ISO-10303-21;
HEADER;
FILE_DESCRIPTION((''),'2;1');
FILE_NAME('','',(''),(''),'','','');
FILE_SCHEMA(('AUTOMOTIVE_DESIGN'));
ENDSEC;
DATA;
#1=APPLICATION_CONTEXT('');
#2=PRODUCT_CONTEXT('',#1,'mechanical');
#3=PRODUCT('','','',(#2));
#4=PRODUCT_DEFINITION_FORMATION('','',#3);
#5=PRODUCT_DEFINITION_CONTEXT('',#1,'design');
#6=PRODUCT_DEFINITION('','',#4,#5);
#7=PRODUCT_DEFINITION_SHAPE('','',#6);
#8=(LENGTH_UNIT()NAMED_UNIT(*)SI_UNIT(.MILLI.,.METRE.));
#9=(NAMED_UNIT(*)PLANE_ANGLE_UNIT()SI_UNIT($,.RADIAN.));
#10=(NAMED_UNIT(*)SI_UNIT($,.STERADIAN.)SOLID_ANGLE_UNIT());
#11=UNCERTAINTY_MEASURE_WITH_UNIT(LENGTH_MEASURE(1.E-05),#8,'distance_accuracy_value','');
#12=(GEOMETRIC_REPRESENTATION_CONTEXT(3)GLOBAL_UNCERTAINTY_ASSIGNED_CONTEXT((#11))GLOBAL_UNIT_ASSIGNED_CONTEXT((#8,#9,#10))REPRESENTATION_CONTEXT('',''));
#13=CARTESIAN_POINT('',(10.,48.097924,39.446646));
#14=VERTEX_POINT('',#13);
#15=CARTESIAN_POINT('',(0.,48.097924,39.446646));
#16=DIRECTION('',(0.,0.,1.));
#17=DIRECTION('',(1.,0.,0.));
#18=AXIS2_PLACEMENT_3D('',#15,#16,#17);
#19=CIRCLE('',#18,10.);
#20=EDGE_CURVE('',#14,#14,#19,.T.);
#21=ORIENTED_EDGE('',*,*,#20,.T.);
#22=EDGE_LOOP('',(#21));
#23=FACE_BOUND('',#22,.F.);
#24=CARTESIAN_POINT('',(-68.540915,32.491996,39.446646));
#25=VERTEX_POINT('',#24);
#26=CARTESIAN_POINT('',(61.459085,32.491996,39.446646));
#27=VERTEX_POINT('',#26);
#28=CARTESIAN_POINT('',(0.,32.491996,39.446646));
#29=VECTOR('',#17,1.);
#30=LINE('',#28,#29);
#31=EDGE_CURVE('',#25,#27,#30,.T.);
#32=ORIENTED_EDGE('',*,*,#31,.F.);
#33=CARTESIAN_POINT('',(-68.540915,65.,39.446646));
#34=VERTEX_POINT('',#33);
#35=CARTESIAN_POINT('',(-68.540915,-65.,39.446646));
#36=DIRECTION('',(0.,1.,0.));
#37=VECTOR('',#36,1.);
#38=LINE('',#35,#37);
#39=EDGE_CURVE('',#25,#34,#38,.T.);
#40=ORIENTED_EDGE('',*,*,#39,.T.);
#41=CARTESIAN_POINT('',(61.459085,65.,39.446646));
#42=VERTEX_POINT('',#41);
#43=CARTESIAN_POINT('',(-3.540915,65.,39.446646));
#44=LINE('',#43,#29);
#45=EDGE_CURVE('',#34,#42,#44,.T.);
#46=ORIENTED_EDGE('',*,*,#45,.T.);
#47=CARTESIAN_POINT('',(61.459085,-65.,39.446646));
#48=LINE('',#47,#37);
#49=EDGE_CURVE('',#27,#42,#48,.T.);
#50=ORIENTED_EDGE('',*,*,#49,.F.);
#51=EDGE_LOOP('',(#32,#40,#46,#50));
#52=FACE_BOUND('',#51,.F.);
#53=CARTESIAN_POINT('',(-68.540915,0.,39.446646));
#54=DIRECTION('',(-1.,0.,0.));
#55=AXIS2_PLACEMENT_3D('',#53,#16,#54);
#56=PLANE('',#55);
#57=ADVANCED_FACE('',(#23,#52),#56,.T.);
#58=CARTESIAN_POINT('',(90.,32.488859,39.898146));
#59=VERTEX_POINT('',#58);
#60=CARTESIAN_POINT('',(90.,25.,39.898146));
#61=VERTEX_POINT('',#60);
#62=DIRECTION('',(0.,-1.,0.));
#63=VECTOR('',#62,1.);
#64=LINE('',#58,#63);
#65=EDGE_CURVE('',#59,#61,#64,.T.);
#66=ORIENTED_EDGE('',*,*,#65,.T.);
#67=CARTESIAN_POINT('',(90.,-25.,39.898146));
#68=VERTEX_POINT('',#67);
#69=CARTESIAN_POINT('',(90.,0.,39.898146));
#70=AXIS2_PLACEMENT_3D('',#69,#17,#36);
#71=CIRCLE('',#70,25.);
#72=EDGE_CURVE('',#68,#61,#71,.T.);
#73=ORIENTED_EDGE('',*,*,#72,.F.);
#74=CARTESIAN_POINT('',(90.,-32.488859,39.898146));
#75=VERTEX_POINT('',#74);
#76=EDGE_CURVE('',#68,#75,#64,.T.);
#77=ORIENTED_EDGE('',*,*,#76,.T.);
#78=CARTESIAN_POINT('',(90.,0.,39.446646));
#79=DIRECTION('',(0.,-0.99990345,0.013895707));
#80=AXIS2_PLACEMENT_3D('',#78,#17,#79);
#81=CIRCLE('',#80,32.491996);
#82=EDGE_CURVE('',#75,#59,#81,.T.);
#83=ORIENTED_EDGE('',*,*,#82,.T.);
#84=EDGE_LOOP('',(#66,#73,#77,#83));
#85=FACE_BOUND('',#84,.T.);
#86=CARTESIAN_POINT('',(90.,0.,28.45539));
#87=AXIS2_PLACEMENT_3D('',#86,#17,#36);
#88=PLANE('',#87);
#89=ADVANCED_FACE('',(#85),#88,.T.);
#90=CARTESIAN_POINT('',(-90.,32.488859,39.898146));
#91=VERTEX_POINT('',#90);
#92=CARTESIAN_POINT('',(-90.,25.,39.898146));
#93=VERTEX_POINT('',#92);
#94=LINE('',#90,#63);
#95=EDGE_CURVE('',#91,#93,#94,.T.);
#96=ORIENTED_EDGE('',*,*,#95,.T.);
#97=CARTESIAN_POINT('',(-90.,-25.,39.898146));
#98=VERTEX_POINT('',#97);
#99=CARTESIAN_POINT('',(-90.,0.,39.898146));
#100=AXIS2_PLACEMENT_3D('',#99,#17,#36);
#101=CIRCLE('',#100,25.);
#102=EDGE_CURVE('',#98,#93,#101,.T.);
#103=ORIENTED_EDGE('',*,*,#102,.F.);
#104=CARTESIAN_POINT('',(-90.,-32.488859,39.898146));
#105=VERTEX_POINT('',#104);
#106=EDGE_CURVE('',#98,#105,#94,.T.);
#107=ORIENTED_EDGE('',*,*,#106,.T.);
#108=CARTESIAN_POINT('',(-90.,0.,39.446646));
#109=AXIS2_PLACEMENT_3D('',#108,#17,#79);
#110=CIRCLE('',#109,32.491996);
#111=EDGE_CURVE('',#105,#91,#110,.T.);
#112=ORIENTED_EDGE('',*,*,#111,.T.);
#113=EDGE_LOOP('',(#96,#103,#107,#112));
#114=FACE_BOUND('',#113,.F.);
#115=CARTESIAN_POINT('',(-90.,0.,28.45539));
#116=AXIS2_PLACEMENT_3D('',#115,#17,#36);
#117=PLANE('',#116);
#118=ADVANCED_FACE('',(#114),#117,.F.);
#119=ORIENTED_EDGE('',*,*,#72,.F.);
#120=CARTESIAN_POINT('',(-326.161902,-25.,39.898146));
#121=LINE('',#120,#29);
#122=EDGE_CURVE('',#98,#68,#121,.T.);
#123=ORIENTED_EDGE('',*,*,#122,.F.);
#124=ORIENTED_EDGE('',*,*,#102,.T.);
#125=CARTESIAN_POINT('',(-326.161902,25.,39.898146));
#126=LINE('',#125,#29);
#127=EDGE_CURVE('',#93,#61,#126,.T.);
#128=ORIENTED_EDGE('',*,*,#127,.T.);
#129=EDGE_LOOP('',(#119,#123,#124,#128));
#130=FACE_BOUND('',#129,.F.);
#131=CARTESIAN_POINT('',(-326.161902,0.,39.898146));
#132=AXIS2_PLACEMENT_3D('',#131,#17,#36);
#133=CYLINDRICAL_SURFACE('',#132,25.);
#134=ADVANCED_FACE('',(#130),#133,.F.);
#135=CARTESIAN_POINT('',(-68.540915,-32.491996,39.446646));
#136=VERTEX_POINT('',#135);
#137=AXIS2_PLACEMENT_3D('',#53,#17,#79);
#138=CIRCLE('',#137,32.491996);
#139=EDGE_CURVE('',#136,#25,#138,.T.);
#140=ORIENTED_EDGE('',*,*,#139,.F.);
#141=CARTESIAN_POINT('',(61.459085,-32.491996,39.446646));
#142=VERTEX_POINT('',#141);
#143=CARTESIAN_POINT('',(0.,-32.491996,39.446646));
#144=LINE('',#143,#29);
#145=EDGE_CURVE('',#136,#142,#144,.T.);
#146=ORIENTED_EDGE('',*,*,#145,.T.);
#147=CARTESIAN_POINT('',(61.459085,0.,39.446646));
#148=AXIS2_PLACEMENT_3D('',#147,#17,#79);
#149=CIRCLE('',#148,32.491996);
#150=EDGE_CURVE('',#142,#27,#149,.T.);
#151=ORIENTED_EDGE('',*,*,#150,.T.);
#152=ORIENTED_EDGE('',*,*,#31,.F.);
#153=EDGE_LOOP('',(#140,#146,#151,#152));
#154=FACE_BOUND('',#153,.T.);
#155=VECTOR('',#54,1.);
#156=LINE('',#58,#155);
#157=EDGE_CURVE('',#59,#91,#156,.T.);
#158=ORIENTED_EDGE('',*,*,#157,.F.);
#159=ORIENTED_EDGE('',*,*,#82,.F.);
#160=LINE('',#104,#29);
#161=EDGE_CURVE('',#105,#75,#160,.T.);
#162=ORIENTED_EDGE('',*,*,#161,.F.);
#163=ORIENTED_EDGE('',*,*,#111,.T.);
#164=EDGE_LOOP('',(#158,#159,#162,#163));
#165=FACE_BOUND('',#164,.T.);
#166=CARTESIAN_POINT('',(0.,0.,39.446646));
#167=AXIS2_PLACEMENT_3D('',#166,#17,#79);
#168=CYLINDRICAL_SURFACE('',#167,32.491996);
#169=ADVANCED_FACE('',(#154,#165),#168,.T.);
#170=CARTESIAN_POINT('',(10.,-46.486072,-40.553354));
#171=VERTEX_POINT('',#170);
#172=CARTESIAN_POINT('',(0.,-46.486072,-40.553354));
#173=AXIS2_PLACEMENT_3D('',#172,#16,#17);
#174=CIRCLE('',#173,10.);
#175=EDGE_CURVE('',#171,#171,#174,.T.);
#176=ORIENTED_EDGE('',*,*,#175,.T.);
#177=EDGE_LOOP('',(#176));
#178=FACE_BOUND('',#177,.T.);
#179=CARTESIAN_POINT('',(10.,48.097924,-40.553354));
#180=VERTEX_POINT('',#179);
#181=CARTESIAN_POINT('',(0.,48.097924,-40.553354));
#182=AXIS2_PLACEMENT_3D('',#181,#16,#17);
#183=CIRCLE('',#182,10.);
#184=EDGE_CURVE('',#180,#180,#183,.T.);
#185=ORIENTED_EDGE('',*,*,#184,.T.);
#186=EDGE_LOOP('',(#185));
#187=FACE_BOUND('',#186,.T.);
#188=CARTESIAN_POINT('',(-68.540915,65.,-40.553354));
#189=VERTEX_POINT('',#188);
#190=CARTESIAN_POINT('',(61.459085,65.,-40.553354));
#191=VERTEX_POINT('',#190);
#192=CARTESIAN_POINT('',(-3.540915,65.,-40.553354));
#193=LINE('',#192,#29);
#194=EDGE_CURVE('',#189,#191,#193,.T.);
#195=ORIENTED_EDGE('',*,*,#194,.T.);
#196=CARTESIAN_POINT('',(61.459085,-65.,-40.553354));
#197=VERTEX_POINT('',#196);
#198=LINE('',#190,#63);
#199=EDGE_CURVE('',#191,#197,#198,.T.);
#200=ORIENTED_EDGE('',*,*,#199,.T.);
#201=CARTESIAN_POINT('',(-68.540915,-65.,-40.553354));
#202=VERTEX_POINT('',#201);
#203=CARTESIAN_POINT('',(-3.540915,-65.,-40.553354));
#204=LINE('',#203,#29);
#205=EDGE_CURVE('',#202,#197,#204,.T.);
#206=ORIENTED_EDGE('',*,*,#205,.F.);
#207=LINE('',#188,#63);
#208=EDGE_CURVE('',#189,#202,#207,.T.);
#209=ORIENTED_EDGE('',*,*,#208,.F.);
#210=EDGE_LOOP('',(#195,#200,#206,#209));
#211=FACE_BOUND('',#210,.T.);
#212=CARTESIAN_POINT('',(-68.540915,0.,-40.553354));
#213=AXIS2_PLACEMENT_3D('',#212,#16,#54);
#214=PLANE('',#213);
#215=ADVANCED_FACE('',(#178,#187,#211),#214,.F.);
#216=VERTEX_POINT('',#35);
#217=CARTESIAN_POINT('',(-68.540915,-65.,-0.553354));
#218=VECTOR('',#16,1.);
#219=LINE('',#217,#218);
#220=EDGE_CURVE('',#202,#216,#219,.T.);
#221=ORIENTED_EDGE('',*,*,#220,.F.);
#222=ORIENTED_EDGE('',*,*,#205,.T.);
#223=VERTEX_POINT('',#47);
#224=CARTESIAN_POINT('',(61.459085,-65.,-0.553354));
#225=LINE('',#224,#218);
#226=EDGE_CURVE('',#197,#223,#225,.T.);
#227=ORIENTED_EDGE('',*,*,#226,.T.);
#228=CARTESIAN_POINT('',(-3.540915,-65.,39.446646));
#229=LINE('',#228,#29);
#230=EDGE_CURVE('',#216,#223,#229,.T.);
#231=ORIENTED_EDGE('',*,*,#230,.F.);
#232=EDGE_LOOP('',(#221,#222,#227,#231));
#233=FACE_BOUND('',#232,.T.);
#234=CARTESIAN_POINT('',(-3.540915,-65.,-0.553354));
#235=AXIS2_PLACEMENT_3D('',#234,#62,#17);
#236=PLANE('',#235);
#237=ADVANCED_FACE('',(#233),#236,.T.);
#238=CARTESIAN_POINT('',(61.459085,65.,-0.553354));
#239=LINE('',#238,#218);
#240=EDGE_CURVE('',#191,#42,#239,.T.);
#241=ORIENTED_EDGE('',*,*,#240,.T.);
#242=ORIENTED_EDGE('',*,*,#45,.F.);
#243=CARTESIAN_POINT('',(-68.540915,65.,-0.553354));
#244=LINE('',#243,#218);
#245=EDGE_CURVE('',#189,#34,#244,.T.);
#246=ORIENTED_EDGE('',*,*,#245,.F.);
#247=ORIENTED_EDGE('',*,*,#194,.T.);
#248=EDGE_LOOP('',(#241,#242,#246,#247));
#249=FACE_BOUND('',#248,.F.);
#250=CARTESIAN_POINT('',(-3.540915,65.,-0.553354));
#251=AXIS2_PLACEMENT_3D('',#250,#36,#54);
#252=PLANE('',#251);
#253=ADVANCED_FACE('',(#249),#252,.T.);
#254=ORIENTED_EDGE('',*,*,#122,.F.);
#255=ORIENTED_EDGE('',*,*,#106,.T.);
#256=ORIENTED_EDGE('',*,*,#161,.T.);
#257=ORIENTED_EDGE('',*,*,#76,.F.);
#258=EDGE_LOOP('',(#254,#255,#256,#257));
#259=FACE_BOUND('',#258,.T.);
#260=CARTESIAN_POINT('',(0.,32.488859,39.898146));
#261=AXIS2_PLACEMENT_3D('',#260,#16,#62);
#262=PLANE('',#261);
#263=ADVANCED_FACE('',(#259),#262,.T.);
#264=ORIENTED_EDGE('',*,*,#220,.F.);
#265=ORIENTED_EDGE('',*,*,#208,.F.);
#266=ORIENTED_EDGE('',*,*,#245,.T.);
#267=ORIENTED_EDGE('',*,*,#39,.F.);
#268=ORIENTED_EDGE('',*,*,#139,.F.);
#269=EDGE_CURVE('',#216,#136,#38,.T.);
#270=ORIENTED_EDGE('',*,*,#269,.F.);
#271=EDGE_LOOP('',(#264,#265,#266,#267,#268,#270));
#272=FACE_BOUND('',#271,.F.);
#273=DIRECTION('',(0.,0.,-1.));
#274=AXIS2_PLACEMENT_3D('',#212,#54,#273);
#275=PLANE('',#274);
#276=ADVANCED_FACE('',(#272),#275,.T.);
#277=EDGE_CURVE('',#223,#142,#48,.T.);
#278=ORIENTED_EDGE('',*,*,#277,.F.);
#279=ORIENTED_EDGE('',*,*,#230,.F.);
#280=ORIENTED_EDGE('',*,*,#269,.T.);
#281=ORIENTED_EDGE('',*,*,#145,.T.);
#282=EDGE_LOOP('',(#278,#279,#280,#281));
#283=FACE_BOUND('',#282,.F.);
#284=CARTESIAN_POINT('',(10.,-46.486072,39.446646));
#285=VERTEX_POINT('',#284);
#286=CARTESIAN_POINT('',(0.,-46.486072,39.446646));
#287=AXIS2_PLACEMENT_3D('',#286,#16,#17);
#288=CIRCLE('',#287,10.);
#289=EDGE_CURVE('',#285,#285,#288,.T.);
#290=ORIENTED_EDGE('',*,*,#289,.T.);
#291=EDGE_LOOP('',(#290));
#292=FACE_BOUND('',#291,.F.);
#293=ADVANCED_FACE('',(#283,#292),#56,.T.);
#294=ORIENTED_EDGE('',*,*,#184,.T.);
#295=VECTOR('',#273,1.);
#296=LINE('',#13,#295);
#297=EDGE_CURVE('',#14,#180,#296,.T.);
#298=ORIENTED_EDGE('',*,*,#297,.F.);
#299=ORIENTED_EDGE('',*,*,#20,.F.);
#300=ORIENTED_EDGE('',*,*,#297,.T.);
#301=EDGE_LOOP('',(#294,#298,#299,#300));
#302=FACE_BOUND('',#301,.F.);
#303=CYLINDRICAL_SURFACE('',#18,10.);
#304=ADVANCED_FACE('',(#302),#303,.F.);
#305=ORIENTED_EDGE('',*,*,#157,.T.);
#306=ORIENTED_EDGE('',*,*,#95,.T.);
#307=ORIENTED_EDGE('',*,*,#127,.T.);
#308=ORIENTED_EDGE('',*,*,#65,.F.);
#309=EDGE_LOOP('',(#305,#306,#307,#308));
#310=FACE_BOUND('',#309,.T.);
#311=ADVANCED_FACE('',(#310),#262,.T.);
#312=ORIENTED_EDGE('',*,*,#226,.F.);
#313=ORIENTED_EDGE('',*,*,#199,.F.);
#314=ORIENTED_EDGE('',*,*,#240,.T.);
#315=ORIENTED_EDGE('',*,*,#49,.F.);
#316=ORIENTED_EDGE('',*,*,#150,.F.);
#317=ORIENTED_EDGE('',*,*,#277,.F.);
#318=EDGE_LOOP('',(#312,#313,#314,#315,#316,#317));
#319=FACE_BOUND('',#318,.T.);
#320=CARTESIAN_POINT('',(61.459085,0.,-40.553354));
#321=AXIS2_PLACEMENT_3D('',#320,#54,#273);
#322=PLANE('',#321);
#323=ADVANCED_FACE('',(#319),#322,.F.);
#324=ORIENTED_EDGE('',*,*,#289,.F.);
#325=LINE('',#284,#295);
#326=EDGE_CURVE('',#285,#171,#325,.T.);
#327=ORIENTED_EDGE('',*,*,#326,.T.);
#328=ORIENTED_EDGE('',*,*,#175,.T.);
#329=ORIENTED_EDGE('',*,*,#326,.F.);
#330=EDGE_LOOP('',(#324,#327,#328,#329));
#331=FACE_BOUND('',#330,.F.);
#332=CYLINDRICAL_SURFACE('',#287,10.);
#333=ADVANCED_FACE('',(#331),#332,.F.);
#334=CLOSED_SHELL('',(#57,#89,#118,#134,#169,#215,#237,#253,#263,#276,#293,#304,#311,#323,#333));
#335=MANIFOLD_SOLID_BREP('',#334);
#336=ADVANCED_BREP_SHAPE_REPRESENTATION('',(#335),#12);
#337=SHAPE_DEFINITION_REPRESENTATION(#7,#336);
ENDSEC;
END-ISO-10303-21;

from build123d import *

# Parameters (mm, degrees)
F0_W      = 130
F0_H      = 80
F1_DEPTH  = 65
F4_DEPTH  = 90
F6_D      = 50
F8_R      = 10
F9_DEPTH  = 100
F7_R      = 10
F10_DEPTH = 100


with BuildPart() as f1:
    # F0 (on Front) → F1 (new body)
    with BuildSketch(Plane.XZ):
        with Locations((-3.5409145057, -0.5533536838)):
            Rectangle(F0_W, F0_H)
    extrude(amount=F1_DEPTH)

    # F2: F1 across face


with BuildPart() as f1_1:
    add(f1.part)
    add(f1.part.mirror(Plane(origin=(-3.5409145057, 0, -0.5533536838), x_dir=(1, 0, 0), z_dir=(0, 1, 0))))

    # F3 (on Right) → F4 (join, symmetric)
    with BuildSketch(Plane.YZ):
        with BuildLine():
            Line((32.4888588476, 39.8981455717), (-32.4888588476, 39.8981455717))
            ThreePointArc((-32.4888588476, 39.8981455717), (0, 6.9546503664), (32.4888588476, 39.8981455717))
        make_face()
    extrude(amount=F4_DEPTH, both=True)

    # F6 (through all)
    with Locations(Plane(origin=(-90, 0, 0), x_dir=(0, -1, 0), z_dir=(-1, 0, 0))):
        with Locations((0, 39.8981455717)):
            Hole(F6_D / 2)

    # F8 (on face) → F9 (cut)
    with BuildSketch(Plane.XY.offset(39.4466463162)):
        with Locations((0, 48.0979235456)):
            Circle(F8_R)
    extrude(amount=-F9_DEPTH, mode=Mode.SUBTRACT)

    # F7 (on face) → F10 (cut)
    with BuildSketch(Plane.XY.offset(39.4466463162)):
        with Locations((0, -46.4860715879)):
            Circle(F7_R)
    extrude(amount=-F10_DEPTH, mode=Mode.SUBTRACT)


solid = f1_1.part
